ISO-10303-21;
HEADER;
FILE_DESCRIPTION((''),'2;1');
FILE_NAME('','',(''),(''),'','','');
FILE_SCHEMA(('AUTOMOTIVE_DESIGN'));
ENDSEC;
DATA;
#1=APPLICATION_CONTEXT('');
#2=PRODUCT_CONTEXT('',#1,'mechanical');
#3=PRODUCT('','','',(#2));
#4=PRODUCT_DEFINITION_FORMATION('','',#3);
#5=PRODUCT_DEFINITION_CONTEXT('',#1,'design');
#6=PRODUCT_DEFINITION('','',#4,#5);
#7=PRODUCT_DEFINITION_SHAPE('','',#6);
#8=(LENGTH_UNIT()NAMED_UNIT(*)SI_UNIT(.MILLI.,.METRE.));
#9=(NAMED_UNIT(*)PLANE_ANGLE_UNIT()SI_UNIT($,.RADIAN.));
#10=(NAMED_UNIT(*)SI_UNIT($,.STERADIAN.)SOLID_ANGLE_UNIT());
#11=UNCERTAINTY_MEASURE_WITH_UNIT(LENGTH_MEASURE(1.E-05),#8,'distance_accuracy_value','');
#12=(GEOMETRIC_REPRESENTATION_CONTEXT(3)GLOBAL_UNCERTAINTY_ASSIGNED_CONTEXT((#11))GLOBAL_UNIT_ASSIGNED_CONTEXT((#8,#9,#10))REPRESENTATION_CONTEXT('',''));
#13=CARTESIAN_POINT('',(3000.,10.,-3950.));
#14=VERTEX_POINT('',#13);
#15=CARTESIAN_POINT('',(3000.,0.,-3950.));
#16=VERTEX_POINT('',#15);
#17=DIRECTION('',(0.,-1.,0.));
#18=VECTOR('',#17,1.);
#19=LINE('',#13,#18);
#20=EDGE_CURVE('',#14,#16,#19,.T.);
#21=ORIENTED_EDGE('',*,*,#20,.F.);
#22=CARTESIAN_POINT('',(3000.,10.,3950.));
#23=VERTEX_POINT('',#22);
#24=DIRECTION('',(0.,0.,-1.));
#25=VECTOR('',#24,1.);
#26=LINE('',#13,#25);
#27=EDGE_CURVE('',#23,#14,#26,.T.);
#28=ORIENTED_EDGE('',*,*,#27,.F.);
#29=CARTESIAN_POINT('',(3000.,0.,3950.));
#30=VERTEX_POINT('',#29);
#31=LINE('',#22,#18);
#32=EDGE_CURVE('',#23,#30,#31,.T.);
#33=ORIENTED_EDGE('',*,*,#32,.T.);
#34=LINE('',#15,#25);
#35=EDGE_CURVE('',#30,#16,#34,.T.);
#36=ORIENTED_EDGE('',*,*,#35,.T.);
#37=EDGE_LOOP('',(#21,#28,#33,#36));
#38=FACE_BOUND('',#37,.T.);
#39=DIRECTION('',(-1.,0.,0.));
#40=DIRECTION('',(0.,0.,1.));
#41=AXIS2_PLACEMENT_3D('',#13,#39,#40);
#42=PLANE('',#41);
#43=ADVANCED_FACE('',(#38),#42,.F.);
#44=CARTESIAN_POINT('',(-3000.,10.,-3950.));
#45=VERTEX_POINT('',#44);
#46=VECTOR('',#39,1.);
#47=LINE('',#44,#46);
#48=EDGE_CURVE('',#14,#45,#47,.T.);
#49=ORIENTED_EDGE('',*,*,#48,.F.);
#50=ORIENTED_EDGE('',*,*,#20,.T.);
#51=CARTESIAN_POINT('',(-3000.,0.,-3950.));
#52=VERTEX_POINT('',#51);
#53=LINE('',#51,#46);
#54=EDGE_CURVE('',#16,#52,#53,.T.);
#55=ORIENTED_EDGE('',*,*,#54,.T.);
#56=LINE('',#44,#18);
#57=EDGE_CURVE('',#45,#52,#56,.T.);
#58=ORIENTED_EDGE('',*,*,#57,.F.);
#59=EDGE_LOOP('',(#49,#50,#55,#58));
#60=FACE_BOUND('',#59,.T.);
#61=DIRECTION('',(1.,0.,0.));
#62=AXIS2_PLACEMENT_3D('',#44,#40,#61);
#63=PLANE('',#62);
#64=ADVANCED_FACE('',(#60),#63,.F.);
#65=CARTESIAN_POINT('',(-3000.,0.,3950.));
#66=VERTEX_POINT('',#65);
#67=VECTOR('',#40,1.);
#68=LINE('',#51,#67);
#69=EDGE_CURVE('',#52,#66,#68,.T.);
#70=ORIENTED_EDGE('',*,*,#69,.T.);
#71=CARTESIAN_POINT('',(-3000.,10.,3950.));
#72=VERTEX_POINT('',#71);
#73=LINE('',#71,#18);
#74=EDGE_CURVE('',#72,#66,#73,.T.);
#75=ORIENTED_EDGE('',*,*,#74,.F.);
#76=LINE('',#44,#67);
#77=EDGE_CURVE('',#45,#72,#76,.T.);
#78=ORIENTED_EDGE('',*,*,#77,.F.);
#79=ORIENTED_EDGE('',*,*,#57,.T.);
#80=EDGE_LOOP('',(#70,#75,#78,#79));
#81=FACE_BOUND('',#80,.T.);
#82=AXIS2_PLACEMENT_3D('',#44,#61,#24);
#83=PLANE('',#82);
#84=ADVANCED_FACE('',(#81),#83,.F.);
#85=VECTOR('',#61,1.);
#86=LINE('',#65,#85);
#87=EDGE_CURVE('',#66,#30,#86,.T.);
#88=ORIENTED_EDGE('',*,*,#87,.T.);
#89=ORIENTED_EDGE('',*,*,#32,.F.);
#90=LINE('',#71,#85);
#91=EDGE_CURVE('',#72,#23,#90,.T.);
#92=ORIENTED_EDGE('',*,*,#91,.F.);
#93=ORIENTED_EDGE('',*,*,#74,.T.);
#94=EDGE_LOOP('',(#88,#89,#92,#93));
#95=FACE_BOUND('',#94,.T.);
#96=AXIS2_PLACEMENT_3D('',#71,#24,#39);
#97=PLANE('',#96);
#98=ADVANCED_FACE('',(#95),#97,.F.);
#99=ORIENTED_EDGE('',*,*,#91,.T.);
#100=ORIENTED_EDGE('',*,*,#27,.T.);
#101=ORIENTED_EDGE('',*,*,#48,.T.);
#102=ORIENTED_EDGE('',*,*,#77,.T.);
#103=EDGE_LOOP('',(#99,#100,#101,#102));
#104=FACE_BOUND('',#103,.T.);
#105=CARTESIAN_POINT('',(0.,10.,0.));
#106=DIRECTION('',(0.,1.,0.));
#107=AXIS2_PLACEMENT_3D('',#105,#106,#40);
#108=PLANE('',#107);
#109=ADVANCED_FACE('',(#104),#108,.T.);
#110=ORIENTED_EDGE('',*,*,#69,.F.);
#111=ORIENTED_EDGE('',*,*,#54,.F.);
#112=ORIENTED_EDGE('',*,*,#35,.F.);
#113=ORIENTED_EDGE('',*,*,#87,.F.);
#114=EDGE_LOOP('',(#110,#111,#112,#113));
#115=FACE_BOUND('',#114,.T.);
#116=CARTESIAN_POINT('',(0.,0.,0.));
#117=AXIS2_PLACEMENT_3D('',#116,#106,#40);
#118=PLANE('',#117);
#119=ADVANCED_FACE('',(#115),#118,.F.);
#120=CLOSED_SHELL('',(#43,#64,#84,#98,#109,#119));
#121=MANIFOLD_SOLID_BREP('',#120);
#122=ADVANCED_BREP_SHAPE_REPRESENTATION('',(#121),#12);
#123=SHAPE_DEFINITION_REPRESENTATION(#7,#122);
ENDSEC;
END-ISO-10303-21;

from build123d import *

# Parameters (mm, degrees)
ESQUISSE1_W        = 6000
ESQUISSE1_H        = 7900
BOSS_EXTRU_1_DEPTH = 10


with BuildPart() as part:
    # Esquisse1 → Boss.-Extru.1 (new body)
    with BuildSketch(Plane(origin=(0, 0, 0), x_dir=(1, 0, 0), z_dir=(0, 1, 0))):
        Rectangle(ESQUISSE1_W, ESQUISSE1_H)
    extrude(amount=BOSS_EXTRU_1_DEPTH)


solid = part.part
